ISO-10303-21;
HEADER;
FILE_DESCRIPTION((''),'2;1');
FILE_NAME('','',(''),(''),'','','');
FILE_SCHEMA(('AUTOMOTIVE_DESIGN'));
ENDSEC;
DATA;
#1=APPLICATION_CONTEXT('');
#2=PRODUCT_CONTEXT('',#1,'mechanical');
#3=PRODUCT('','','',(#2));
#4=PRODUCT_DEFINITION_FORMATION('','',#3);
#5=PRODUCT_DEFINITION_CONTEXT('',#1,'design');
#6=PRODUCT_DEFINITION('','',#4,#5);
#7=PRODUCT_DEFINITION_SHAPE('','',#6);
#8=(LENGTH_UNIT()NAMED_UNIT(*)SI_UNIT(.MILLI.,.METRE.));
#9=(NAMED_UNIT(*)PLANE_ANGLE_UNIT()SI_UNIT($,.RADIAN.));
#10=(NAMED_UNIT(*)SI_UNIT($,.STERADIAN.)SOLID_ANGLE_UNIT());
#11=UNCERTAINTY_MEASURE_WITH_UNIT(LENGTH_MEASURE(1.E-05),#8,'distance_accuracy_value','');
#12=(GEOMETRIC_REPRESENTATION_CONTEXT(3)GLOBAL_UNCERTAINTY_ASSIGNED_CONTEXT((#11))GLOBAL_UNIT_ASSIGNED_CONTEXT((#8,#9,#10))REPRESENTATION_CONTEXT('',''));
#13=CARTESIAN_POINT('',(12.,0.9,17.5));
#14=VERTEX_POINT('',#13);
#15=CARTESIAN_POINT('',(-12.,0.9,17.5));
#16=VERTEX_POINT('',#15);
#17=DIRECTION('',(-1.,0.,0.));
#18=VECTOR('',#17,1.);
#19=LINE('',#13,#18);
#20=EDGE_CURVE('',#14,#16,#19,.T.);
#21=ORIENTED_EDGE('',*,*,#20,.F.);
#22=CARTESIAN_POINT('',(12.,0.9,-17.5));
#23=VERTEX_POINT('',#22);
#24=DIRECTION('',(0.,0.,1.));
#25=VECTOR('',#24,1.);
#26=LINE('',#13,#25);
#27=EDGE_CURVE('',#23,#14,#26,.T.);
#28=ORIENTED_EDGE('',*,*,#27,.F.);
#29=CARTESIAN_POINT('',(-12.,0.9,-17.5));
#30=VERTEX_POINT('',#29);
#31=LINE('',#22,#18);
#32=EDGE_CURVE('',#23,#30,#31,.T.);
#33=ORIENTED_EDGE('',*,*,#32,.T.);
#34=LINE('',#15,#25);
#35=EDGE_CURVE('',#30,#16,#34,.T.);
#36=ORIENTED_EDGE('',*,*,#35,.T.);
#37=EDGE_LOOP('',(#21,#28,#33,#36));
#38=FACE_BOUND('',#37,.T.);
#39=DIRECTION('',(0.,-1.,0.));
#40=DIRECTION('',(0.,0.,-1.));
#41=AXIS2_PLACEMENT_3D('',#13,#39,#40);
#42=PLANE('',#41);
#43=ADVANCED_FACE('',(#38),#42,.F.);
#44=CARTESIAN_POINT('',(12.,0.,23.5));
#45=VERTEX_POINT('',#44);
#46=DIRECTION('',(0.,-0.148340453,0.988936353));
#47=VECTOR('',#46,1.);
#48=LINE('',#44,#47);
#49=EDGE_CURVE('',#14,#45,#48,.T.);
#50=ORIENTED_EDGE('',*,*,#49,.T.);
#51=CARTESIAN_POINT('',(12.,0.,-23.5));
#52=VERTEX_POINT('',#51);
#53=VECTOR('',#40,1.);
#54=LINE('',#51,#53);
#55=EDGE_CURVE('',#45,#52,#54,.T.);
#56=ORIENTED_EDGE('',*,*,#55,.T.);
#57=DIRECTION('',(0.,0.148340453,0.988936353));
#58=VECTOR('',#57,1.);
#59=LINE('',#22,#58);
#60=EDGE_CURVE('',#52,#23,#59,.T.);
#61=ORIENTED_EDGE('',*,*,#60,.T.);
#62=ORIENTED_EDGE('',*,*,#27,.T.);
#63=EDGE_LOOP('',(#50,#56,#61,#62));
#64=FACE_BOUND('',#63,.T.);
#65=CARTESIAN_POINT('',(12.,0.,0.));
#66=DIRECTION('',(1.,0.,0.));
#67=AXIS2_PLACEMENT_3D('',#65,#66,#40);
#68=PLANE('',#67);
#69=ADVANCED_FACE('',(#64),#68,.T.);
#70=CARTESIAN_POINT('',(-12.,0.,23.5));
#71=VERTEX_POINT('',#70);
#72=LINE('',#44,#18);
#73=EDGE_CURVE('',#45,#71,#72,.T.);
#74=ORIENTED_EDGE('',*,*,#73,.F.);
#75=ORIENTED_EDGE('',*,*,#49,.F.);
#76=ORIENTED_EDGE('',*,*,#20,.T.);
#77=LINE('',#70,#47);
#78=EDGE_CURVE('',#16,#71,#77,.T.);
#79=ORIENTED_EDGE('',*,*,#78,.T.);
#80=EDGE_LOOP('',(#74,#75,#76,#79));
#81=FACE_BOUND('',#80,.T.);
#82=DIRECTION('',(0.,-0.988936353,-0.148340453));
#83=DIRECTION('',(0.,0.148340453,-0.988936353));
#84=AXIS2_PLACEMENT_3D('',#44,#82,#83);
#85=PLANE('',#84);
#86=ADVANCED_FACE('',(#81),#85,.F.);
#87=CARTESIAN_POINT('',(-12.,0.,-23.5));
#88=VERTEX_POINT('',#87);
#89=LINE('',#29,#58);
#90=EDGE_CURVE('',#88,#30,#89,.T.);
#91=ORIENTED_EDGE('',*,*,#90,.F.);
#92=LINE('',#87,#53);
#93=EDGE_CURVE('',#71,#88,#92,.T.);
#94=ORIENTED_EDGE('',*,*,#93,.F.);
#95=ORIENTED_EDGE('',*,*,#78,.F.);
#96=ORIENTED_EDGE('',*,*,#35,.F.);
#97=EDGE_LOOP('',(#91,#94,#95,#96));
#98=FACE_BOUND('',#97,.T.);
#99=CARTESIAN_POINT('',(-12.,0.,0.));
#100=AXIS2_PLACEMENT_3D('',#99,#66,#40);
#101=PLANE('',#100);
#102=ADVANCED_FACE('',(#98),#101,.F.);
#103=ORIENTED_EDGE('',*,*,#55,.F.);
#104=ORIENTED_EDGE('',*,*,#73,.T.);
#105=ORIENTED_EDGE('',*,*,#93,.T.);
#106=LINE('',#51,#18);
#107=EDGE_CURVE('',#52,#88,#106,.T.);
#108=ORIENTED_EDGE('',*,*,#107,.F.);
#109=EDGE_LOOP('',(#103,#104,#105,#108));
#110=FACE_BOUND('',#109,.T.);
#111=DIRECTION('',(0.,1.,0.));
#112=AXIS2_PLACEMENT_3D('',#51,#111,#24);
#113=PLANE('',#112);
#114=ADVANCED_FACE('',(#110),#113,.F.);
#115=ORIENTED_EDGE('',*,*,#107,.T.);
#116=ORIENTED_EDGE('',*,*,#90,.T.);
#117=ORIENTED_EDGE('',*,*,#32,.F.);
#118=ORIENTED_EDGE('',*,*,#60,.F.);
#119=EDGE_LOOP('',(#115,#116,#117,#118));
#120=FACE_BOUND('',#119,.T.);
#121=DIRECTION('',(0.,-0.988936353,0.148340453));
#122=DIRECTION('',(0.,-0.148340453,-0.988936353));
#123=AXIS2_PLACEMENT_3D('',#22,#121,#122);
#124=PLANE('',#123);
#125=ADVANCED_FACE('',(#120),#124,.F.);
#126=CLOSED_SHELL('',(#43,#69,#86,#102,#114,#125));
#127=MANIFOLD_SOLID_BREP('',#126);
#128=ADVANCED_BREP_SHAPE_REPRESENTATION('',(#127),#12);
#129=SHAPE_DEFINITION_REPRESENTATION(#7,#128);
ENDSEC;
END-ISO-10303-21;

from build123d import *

# Parameters (mm, degrees)
BOSS_EXTRUDE1_DEPTH = 12


with BuildPart() as part:
    # Sketch1 → Boss-Extrude1 (new, symmetric)
    with BuildSketch(Plane(origin=(0, 0, 0), x_dir=(0, 0, -1), z_dir=(1, 0, 0))):
        Polygon((23.5, 0), (-23.5, 0), (-17.5, 0.9), (17.5, 0.9), align=None)
    extrude(amount=BOSS_EXTRUDE1_DEPTH, both=True)


solid = part.part
